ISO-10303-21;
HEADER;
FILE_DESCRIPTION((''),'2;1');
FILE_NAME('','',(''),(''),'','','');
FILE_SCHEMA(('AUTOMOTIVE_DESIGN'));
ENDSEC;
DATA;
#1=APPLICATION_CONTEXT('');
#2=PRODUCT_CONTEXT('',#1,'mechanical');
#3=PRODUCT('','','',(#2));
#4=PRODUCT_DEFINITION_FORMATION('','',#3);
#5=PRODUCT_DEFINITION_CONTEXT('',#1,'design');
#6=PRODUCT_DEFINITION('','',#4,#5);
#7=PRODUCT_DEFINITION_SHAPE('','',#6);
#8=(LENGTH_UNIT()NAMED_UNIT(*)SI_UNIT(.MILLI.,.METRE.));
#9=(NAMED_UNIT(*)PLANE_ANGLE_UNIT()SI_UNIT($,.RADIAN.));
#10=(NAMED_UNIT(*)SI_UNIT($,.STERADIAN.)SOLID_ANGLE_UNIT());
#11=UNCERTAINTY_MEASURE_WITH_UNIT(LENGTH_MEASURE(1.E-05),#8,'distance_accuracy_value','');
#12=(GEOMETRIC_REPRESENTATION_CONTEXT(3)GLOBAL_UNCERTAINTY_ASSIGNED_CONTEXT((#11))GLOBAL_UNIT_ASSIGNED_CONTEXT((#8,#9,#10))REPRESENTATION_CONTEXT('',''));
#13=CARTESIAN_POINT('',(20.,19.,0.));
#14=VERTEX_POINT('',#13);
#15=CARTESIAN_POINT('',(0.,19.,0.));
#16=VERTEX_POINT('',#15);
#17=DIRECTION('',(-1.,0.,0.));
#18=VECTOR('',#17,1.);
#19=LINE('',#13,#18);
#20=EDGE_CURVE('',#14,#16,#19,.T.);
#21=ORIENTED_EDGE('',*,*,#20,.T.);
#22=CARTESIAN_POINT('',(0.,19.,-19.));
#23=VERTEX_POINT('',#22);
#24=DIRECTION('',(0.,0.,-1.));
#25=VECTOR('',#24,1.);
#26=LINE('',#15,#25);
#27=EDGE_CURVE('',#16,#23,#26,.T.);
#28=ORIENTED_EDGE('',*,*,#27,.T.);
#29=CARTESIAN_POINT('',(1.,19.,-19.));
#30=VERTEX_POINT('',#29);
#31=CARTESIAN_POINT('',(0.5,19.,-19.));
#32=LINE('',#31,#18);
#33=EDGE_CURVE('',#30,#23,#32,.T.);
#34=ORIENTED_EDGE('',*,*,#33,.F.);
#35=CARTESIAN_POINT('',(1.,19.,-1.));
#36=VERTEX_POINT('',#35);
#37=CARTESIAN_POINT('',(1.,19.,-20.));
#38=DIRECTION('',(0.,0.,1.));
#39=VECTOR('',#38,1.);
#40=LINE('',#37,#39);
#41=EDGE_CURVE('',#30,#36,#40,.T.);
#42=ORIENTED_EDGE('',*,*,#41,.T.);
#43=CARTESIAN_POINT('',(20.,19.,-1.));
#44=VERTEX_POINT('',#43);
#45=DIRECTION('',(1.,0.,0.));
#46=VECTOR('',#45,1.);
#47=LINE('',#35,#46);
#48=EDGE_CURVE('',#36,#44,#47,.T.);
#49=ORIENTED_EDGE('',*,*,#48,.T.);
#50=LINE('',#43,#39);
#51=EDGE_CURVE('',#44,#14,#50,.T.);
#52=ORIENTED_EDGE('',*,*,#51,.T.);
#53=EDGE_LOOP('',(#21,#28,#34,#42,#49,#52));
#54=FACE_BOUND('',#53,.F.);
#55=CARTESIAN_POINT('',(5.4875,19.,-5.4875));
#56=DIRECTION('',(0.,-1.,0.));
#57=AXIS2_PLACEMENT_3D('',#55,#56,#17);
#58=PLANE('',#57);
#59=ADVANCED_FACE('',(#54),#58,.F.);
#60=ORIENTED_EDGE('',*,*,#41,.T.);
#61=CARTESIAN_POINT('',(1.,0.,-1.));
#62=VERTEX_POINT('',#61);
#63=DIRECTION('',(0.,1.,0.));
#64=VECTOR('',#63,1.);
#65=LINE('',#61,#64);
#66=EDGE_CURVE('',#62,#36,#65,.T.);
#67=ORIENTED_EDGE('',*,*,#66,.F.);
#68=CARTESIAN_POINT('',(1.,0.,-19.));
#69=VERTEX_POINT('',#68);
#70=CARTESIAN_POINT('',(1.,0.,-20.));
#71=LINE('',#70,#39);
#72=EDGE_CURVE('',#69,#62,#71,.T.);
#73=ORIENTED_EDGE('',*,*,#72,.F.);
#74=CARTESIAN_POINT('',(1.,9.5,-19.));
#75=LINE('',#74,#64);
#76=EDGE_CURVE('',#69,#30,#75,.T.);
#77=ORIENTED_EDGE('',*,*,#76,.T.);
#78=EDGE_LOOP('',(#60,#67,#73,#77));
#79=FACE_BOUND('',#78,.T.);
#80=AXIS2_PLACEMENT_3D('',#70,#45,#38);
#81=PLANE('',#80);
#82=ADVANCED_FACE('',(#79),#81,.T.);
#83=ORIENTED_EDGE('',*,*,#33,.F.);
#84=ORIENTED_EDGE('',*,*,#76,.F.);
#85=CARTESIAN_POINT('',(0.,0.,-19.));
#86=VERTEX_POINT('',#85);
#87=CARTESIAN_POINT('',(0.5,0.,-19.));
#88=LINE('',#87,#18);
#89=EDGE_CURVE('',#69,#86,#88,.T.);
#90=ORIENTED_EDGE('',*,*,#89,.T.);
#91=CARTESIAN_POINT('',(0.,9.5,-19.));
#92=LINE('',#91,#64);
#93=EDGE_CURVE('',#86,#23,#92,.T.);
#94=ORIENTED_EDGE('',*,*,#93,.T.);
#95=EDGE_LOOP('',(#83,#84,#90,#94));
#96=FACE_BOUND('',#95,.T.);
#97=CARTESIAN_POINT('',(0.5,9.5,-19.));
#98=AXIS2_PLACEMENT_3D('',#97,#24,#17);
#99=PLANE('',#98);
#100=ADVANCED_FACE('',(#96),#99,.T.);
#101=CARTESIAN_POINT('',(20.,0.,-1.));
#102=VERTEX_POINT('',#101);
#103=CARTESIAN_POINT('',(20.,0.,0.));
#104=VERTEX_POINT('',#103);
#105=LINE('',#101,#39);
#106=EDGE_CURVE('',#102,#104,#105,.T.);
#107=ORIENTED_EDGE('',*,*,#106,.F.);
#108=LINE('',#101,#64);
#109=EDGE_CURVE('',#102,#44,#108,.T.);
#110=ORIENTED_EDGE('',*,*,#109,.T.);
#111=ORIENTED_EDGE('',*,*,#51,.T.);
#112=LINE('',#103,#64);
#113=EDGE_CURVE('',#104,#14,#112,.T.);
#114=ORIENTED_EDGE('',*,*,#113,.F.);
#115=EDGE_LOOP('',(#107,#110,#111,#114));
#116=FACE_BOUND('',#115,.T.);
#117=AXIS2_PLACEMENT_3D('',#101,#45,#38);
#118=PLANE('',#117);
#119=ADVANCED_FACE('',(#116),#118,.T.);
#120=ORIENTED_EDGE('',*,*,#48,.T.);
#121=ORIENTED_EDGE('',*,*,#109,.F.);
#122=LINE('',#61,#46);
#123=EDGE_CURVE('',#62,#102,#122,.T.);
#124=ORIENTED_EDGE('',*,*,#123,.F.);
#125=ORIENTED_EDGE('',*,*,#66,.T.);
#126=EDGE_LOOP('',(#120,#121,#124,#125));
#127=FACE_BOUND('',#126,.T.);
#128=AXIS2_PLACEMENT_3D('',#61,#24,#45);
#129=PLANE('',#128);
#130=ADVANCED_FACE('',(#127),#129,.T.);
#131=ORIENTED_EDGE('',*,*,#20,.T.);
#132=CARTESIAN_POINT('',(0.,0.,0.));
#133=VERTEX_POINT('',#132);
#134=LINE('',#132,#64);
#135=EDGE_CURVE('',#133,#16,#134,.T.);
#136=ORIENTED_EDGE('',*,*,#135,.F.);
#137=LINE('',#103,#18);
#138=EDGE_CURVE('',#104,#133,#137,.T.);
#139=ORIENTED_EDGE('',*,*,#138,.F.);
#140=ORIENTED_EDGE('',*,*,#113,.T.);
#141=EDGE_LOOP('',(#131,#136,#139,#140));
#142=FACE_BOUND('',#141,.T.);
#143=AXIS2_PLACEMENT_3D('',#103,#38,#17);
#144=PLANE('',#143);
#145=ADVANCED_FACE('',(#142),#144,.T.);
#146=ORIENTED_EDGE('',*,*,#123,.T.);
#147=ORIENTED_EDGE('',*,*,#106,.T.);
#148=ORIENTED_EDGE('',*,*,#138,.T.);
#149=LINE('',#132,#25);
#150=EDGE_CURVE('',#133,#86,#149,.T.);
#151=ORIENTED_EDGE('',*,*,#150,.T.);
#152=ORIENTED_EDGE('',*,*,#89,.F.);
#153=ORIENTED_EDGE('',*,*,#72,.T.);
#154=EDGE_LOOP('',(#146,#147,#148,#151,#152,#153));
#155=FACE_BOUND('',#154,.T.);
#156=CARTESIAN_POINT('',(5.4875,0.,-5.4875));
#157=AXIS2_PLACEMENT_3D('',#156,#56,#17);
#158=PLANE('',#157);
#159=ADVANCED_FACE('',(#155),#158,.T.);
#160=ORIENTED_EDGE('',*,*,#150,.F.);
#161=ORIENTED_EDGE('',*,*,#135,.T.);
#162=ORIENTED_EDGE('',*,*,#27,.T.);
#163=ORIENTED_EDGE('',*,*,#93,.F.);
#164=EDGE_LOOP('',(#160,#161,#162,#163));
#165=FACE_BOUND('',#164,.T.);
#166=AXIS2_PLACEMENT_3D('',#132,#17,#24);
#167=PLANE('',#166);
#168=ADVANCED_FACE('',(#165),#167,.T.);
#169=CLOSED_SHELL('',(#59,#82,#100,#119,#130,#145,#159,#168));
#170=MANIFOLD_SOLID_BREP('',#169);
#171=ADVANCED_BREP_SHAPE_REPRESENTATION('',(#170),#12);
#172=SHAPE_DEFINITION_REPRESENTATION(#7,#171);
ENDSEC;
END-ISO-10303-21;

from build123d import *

# Parameters (mm, degrees)
EXTRUDE_1_DEPTH     = 19
SKETCH_4_W          = 1
SKETCH_4_H          = 19
CUT_EXTRUDE_2_DEPTH = 1


with BuildPart() as part:
    # Эскиз1 → Бобышка-Вытянуть1 (new body)
    with BuildSketch(Plane(origin=(0, 0, 0), x_dir=(1, 0, 0), z_dir=(0, 1, 0))):
        Polygon((0, 0), (0, 20), (1, 20), (1, 1), (20, 1), (20, 0), align=None)
    extrude(amount=EXTRUDE_1_DEPTH)

    # Эскиз4 → Вырез-Вытянуть2 (cut)
    with BuildSketch(Plane(origin=(0, 0, -20), x_dir=(-1, 0, 0), z_dir=(0, 0, -1))):
        with Locations((-0.5, 9.5)):
            Rectangle(SKETCH_4_W, SKETCH_4_H)
    extrude(amount=-CUT_EXTRUDE_2_DEPTH, mode=Mode.SUBTRACT)


solid = part.part
